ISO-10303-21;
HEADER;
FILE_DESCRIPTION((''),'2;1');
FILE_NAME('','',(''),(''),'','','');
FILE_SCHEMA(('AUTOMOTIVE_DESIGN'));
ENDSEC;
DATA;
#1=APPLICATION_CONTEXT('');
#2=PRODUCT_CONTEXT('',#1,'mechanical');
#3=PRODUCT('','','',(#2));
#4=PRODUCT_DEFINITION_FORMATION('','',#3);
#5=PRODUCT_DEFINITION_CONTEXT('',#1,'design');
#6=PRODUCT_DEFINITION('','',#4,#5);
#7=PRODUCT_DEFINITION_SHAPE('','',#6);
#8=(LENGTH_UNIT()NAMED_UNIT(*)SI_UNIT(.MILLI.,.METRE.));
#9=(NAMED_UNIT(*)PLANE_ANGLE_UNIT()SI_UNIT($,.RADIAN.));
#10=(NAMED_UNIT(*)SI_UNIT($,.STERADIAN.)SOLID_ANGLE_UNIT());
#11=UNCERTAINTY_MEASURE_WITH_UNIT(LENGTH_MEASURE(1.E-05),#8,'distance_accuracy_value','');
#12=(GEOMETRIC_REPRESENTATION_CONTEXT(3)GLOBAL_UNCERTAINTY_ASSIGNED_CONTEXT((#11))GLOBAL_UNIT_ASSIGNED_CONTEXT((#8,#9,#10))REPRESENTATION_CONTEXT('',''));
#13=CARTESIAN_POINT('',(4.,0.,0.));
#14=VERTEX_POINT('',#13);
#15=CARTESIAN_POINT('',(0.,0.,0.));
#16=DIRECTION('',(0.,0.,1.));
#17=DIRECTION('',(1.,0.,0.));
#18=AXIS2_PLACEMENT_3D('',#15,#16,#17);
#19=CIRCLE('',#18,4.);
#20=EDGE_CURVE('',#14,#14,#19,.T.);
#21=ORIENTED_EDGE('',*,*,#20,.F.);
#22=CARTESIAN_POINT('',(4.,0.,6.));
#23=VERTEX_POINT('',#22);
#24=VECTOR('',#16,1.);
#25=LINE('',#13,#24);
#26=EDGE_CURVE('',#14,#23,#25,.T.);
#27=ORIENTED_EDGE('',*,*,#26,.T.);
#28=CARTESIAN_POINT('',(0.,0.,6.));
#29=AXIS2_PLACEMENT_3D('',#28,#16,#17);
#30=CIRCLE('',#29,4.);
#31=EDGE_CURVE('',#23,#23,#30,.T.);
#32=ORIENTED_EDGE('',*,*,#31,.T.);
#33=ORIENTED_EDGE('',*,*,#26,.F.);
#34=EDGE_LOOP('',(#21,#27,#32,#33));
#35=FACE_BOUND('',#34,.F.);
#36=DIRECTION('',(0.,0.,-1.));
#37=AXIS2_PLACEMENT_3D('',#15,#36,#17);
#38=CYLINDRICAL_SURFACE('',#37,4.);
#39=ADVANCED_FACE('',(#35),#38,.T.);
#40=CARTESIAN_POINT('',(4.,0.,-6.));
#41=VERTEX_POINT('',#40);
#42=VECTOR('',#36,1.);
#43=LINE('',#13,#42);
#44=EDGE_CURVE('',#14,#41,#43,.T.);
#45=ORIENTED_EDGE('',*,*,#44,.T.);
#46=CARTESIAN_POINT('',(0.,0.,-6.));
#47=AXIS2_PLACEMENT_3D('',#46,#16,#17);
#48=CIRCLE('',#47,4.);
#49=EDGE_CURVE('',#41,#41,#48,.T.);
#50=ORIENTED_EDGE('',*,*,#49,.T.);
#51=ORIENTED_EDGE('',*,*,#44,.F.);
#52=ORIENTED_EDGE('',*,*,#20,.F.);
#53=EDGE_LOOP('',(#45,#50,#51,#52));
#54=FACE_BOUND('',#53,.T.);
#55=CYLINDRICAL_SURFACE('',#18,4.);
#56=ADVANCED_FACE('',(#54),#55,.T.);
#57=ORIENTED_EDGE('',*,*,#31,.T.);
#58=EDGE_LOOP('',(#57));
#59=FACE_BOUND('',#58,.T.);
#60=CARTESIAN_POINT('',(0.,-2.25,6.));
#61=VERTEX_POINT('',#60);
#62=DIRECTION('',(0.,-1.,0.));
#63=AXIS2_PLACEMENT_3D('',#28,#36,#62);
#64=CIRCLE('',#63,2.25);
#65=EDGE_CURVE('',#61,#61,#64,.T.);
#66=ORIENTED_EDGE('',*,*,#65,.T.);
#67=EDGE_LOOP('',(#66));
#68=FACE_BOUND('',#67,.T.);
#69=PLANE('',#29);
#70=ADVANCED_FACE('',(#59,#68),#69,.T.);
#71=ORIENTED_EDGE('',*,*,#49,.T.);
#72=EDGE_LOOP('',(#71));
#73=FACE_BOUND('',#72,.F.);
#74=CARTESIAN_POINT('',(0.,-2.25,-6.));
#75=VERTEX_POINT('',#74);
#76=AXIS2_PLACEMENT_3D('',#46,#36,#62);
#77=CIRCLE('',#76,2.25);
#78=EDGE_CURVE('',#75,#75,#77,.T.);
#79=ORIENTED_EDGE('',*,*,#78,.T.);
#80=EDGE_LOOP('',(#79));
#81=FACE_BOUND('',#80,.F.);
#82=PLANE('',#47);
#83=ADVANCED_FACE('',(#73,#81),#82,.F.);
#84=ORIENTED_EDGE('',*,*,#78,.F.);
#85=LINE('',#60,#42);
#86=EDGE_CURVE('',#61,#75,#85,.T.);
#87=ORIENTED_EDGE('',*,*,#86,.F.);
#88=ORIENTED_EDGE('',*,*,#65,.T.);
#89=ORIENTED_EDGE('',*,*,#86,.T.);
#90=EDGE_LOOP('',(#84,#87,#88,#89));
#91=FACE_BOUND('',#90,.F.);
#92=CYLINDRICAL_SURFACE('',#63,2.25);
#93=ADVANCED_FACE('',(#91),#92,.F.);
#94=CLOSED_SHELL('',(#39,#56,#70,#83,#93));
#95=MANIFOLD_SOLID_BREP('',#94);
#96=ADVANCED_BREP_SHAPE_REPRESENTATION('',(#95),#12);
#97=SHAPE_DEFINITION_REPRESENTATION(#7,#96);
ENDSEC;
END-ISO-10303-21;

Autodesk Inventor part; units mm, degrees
ref_plane "YZ Plane" through (0, 0, 0) normal (1, 0, 0) x (0, 1, 0)
ref_plane "XZ Plane" through (0, 0, 0) normal (0, 1, 0) x (-1, 0, 0)
ref_plane "XY Plane" through (0, 0, 0) normal (0, 0, 1) x (1, 0, 0)
sketch "スケッチ1" plane through (0, 0, 0) normal (0, 0, 1) x (1, 0, 0)
  circle A0 centre (0, 0) radius 4
  dimension "d0" = 8
extrude "押し出し1" add sketch "スケッチ1" along normal mid plane 12
sketch "スケッチ2" plane through (0, 0, 6) normal (0, 0, 1) x (1, 0, 0)
  point P0 (0, 0)
hole "穴1" at (0, 0, 6) direction (0, 0, -1) diameter 4.5 end through all clearance for "Flat Head Machine Screw" size "M4" standard "Ansi Metric M Profile"
properties part number "scara-base25"
